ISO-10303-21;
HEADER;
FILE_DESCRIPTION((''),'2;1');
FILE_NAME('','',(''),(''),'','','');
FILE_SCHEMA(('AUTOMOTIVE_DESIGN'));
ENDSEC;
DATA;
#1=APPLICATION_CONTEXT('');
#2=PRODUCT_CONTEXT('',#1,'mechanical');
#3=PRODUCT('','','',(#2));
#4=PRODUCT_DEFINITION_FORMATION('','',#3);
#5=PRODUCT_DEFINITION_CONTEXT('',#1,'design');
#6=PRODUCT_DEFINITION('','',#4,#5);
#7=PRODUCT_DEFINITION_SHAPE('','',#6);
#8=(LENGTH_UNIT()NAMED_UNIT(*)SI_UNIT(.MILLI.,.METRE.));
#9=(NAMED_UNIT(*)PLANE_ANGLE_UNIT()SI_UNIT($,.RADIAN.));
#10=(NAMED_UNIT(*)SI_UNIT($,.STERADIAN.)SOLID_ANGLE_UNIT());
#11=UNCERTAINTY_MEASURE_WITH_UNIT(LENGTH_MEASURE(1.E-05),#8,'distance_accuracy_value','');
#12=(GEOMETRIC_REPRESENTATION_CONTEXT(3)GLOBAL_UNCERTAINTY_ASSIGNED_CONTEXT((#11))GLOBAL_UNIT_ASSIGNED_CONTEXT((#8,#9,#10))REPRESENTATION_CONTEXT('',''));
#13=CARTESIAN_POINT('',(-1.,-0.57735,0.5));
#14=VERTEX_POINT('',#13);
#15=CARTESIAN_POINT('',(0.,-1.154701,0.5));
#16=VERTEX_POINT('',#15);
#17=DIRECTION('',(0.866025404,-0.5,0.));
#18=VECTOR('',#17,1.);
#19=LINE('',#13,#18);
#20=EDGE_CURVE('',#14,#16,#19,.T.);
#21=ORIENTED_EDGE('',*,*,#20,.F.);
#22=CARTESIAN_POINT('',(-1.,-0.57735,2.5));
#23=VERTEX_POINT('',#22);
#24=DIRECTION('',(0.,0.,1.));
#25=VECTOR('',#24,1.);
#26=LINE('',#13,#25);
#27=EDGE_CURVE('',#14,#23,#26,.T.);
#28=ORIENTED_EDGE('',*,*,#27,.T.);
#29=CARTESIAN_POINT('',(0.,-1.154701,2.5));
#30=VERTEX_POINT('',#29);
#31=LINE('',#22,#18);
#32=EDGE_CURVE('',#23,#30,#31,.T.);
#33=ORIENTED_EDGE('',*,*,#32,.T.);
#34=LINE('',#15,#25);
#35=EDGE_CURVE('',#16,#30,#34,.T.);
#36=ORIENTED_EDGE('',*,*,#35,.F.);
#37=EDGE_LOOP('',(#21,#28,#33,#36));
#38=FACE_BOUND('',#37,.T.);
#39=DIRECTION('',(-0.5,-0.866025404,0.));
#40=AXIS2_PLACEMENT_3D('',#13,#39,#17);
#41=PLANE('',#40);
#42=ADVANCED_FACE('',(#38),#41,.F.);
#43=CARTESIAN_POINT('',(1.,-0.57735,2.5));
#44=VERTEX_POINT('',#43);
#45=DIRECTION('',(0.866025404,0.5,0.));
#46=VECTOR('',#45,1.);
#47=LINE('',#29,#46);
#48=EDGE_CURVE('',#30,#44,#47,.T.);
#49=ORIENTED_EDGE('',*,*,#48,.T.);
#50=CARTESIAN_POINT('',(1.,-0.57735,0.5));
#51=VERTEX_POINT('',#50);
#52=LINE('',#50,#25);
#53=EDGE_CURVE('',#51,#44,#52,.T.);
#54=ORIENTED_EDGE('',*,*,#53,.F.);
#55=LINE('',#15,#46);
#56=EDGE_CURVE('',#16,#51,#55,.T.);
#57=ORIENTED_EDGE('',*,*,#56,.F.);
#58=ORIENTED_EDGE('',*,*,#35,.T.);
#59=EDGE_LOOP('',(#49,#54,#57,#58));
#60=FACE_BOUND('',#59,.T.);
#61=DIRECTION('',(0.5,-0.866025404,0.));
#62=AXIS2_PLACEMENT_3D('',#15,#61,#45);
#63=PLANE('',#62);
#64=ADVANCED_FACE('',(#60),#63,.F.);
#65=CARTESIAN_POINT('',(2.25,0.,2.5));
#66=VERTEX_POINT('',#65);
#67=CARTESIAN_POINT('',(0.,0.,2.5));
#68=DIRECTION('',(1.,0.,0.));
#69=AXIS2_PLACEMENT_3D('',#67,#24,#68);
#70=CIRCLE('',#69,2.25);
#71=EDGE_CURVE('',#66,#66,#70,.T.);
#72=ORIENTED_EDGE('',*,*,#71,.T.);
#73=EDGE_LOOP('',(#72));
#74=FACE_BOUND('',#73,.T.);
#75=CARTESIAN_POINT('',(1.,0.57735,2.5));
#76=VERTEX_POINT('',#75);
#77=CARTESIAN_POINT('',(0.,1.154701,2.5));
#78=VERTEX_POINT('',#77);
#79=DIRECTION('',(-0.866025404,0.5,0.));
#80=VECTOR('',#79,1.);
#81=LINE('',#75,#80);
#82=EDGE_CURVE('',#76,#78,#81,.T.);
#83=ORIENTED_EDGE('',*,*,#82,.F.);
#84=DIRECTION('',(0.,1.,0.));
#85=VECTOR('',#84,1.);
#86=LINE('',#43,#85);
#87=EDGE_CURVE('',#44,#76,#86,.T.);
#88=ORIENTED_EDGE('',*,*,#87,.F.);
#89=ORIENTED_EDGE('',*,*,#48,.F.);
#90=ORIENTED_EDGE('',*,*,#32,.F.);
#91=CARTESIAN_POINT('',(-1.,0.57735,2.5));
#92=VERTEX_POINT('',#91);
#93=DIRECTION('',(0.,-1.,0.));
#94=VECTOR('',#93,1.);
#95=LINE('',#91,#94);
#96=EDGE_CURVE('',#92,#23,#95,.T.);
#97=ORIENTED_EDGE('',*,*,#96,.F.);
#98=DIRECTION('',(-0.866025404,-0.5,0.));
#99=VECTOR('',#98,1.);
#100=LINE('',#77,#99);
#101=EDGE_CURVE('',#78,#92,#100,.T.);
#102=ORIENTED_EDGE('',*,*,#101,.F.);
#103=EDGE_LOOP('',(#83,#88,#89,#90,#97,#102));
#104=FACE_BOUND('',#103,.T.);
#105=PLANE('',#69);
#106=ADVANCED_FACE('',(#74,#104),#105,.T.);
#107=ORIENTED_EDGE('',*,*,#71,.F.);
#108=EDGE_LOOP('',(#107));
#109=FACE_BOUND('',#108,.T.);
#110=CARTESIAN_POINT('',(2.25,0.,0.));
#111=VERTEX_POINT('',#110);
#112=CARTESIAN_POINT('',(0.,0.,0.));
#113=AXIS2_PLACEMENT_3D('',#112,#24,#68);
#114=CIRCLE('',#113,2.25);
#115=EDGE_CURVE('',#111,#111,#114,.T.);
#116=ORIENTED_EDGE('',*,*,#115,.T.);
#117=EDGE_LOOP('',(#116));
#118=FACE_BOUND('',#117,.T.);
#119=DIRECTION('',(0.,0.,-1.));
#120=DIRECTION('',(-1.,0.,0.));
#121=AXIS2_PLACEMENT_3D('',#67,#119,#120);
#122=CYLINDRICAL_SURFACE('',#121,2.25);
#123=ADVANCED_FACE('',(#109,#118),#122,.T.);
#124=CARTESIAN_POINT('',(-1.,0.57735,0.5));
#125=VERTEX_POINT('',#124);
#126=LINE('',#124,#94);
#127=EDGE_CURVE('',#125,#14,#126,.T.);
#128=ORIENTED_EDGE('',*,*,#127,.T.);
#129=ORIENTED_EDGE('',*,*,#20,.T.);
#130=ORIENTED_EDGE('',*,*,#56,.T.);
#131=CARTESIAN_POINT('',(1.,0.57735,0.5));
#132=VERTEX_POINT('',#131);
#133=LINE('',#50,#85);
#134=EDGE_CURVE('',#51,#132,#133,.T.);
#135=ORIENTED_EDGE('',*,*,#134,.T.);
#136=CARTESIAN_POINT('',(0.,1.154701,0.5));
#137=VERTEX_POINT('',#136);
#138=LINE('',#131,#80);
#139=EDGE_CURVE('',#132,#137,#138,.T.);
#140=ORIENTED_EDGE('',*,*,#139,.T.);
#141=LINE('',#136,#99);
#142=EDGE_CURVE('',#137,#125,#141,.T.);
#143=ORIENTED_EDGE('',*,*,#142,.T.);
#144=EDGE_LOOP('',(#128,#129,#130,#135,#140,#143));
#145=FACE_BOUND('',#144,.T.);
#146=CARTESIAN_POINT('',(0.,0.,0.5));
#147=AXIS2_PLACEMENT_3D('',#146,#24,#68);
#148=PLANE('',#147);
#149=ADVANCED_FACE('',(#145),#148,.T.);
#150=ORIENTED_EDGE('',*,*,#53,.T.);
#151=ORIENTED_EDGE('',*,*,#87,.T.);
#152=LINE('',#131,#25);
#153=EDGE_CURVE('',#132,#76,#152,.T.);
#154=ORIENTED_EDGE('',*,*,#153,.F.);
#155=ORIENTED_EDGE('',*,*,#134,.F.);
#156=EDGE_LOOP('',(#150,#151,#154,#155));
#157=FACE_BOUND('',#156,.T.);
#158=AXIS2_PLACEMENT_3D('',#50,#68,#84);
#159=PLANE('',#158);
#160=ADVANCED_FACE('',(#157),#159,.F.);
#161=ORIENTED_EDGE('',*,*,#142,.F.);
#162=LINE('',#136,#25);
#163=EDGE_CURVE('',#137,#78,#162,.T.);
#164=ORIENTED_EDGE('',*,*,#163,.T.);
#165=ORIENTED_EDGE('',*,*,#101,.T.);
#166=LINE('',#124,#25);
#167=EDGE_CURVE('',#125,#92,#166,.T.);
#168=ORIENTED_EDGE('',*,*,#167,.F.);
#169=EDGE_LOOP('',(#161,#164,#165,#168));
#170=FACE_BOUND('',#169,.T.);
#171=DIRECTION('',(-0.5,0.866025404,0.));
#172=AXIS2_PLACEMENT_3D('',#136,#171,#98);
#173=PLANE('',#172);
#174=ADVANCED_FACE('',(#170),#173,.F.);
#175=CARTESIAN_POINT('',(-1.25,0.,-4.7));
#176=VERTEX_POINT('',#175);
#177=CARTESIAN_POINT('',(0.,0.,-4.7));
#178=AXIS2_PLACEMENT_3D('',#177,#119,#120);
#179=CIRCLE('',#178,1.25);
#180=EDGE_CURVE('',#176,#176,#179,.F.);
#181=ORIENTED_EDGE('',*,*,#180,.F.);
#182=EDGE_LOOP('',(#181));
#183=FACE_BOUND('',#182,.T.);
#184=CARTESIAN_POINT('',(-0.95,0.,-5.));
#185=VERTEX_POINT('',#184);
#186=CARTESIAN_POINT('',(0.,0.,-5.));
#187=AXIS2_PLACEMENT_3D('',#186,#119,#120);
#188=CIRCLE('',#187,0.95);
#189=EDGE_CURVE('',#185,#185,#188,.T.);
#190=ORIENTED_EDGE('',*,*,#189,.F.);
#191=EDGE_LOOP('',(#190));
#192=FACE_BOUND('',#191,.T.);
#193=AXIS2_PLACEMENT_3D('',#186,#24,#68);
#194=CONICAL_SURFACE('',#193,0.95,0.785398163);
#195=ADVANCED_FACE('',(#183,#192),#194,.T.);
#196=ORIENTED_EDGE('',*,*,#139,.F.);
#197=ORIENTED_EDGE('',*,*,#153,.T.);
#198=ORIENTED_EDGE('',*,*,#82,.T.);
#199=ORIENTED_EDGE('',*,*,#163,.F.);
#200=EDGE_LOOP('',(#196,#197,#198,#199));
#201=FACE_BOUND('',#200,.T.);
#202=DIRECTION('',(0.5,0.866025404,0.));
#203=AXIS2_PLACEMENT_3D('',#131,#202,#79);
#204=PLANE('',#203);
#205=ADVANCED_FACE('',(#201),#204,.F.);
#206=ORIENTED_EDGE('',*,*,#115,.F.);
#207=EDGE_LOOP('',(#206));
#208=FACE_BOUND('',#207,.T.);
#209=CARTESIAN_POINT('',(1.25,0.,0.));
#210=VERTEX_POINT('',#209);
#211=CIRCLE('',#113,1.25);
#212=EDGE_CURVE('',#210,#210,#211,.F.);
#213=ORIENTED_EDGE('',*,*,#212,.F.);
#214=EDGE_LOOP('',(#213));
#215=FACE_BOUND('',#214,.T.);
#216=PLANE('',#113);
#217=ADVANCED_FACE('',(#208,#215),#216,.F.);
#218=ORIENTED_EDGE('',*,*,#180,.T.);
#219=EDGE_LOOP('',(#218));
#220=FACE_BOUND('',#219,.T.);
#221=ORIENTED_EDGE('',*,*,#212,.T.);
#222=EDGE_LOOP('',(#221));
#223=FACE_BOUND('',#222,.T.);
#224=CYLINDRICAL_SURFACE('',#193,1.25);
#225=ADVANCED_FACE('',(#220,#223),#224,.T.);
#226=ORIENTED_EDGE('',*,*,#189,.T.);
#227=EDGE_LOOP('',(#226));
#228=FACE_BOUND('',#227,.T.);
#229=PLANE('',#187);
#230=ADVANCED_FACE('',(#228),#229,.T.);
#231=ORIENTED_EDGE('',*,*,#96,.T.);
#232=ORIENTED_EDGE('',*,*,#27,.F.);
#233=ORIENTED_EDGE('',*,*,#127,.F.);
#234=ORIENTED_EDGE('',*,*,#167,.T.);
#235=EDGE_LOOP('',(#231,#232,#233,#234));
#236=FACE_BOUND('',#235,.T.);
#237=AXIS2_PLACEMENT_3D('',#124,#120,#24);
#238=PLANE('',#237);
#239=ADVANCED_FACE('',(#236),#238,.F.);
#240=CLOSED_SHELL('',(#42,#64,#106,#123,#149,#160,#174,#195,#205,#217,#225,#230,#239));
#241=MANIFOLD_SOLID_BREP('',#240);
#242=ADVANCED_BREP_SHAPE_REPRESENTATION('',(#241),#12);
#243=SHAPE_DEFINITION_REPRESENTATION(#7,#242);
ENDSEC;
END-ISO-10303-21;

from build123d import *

# Parameters (mm, degrees)
SKETCH1_R           = 2.25
BOSS_EXTRUDE1_DEPTH = 2.5
SKETCH2_R           = 1.25
BOSS_EXTRUDE2_DEPTH = 5
CHAMFER1_SIZE       = 0.3
CUT_EXTRUDE1_DEPTH  = 2


with BuildPart() as part:
    # Sketch1 → Boss-Extrude1 (new body)
    with BuildSketch(Plane.XY):
        Circle(SKETCH1_R)
    extrude(amount=BOSS_EXTRUDE1_DEPTH)

    # Sketch2 → Boss-Extrude2 (add)
    with BuildSketch(Plane(origin=(0, 0, 0), x_dir=(-1, 0, 0), z_dir=(0, 0, -1))):
        Circle(SKETCH2_R)
    extrude(amount=BOSS_EXTRUDE2_DEPTH)

    # Chamfer1
    chamfer1_edges = [part.edges().sort_by_distance(p)[0] for p in [
        (1.25, 0, -5),
    ]]
    chamfer(chamfer1_edges, length=CHAMFER1_SIZE)

    # Sketch3 → Cut-Extrude1 (cut)
    with BuildSketch(Plane.XY.offset(2.5)):
        Polygon((0, 1.154700538), (-1, 0.577350269), (-1, -0.577350269), (0, -1.154700538), (1, -0.577350269), (1, 0.577350269), align=None)
    extrude(amount=-CUT_EXTRUDE1_DEPTH, mode=Mode.SUBTRACT)


solid = part.part
